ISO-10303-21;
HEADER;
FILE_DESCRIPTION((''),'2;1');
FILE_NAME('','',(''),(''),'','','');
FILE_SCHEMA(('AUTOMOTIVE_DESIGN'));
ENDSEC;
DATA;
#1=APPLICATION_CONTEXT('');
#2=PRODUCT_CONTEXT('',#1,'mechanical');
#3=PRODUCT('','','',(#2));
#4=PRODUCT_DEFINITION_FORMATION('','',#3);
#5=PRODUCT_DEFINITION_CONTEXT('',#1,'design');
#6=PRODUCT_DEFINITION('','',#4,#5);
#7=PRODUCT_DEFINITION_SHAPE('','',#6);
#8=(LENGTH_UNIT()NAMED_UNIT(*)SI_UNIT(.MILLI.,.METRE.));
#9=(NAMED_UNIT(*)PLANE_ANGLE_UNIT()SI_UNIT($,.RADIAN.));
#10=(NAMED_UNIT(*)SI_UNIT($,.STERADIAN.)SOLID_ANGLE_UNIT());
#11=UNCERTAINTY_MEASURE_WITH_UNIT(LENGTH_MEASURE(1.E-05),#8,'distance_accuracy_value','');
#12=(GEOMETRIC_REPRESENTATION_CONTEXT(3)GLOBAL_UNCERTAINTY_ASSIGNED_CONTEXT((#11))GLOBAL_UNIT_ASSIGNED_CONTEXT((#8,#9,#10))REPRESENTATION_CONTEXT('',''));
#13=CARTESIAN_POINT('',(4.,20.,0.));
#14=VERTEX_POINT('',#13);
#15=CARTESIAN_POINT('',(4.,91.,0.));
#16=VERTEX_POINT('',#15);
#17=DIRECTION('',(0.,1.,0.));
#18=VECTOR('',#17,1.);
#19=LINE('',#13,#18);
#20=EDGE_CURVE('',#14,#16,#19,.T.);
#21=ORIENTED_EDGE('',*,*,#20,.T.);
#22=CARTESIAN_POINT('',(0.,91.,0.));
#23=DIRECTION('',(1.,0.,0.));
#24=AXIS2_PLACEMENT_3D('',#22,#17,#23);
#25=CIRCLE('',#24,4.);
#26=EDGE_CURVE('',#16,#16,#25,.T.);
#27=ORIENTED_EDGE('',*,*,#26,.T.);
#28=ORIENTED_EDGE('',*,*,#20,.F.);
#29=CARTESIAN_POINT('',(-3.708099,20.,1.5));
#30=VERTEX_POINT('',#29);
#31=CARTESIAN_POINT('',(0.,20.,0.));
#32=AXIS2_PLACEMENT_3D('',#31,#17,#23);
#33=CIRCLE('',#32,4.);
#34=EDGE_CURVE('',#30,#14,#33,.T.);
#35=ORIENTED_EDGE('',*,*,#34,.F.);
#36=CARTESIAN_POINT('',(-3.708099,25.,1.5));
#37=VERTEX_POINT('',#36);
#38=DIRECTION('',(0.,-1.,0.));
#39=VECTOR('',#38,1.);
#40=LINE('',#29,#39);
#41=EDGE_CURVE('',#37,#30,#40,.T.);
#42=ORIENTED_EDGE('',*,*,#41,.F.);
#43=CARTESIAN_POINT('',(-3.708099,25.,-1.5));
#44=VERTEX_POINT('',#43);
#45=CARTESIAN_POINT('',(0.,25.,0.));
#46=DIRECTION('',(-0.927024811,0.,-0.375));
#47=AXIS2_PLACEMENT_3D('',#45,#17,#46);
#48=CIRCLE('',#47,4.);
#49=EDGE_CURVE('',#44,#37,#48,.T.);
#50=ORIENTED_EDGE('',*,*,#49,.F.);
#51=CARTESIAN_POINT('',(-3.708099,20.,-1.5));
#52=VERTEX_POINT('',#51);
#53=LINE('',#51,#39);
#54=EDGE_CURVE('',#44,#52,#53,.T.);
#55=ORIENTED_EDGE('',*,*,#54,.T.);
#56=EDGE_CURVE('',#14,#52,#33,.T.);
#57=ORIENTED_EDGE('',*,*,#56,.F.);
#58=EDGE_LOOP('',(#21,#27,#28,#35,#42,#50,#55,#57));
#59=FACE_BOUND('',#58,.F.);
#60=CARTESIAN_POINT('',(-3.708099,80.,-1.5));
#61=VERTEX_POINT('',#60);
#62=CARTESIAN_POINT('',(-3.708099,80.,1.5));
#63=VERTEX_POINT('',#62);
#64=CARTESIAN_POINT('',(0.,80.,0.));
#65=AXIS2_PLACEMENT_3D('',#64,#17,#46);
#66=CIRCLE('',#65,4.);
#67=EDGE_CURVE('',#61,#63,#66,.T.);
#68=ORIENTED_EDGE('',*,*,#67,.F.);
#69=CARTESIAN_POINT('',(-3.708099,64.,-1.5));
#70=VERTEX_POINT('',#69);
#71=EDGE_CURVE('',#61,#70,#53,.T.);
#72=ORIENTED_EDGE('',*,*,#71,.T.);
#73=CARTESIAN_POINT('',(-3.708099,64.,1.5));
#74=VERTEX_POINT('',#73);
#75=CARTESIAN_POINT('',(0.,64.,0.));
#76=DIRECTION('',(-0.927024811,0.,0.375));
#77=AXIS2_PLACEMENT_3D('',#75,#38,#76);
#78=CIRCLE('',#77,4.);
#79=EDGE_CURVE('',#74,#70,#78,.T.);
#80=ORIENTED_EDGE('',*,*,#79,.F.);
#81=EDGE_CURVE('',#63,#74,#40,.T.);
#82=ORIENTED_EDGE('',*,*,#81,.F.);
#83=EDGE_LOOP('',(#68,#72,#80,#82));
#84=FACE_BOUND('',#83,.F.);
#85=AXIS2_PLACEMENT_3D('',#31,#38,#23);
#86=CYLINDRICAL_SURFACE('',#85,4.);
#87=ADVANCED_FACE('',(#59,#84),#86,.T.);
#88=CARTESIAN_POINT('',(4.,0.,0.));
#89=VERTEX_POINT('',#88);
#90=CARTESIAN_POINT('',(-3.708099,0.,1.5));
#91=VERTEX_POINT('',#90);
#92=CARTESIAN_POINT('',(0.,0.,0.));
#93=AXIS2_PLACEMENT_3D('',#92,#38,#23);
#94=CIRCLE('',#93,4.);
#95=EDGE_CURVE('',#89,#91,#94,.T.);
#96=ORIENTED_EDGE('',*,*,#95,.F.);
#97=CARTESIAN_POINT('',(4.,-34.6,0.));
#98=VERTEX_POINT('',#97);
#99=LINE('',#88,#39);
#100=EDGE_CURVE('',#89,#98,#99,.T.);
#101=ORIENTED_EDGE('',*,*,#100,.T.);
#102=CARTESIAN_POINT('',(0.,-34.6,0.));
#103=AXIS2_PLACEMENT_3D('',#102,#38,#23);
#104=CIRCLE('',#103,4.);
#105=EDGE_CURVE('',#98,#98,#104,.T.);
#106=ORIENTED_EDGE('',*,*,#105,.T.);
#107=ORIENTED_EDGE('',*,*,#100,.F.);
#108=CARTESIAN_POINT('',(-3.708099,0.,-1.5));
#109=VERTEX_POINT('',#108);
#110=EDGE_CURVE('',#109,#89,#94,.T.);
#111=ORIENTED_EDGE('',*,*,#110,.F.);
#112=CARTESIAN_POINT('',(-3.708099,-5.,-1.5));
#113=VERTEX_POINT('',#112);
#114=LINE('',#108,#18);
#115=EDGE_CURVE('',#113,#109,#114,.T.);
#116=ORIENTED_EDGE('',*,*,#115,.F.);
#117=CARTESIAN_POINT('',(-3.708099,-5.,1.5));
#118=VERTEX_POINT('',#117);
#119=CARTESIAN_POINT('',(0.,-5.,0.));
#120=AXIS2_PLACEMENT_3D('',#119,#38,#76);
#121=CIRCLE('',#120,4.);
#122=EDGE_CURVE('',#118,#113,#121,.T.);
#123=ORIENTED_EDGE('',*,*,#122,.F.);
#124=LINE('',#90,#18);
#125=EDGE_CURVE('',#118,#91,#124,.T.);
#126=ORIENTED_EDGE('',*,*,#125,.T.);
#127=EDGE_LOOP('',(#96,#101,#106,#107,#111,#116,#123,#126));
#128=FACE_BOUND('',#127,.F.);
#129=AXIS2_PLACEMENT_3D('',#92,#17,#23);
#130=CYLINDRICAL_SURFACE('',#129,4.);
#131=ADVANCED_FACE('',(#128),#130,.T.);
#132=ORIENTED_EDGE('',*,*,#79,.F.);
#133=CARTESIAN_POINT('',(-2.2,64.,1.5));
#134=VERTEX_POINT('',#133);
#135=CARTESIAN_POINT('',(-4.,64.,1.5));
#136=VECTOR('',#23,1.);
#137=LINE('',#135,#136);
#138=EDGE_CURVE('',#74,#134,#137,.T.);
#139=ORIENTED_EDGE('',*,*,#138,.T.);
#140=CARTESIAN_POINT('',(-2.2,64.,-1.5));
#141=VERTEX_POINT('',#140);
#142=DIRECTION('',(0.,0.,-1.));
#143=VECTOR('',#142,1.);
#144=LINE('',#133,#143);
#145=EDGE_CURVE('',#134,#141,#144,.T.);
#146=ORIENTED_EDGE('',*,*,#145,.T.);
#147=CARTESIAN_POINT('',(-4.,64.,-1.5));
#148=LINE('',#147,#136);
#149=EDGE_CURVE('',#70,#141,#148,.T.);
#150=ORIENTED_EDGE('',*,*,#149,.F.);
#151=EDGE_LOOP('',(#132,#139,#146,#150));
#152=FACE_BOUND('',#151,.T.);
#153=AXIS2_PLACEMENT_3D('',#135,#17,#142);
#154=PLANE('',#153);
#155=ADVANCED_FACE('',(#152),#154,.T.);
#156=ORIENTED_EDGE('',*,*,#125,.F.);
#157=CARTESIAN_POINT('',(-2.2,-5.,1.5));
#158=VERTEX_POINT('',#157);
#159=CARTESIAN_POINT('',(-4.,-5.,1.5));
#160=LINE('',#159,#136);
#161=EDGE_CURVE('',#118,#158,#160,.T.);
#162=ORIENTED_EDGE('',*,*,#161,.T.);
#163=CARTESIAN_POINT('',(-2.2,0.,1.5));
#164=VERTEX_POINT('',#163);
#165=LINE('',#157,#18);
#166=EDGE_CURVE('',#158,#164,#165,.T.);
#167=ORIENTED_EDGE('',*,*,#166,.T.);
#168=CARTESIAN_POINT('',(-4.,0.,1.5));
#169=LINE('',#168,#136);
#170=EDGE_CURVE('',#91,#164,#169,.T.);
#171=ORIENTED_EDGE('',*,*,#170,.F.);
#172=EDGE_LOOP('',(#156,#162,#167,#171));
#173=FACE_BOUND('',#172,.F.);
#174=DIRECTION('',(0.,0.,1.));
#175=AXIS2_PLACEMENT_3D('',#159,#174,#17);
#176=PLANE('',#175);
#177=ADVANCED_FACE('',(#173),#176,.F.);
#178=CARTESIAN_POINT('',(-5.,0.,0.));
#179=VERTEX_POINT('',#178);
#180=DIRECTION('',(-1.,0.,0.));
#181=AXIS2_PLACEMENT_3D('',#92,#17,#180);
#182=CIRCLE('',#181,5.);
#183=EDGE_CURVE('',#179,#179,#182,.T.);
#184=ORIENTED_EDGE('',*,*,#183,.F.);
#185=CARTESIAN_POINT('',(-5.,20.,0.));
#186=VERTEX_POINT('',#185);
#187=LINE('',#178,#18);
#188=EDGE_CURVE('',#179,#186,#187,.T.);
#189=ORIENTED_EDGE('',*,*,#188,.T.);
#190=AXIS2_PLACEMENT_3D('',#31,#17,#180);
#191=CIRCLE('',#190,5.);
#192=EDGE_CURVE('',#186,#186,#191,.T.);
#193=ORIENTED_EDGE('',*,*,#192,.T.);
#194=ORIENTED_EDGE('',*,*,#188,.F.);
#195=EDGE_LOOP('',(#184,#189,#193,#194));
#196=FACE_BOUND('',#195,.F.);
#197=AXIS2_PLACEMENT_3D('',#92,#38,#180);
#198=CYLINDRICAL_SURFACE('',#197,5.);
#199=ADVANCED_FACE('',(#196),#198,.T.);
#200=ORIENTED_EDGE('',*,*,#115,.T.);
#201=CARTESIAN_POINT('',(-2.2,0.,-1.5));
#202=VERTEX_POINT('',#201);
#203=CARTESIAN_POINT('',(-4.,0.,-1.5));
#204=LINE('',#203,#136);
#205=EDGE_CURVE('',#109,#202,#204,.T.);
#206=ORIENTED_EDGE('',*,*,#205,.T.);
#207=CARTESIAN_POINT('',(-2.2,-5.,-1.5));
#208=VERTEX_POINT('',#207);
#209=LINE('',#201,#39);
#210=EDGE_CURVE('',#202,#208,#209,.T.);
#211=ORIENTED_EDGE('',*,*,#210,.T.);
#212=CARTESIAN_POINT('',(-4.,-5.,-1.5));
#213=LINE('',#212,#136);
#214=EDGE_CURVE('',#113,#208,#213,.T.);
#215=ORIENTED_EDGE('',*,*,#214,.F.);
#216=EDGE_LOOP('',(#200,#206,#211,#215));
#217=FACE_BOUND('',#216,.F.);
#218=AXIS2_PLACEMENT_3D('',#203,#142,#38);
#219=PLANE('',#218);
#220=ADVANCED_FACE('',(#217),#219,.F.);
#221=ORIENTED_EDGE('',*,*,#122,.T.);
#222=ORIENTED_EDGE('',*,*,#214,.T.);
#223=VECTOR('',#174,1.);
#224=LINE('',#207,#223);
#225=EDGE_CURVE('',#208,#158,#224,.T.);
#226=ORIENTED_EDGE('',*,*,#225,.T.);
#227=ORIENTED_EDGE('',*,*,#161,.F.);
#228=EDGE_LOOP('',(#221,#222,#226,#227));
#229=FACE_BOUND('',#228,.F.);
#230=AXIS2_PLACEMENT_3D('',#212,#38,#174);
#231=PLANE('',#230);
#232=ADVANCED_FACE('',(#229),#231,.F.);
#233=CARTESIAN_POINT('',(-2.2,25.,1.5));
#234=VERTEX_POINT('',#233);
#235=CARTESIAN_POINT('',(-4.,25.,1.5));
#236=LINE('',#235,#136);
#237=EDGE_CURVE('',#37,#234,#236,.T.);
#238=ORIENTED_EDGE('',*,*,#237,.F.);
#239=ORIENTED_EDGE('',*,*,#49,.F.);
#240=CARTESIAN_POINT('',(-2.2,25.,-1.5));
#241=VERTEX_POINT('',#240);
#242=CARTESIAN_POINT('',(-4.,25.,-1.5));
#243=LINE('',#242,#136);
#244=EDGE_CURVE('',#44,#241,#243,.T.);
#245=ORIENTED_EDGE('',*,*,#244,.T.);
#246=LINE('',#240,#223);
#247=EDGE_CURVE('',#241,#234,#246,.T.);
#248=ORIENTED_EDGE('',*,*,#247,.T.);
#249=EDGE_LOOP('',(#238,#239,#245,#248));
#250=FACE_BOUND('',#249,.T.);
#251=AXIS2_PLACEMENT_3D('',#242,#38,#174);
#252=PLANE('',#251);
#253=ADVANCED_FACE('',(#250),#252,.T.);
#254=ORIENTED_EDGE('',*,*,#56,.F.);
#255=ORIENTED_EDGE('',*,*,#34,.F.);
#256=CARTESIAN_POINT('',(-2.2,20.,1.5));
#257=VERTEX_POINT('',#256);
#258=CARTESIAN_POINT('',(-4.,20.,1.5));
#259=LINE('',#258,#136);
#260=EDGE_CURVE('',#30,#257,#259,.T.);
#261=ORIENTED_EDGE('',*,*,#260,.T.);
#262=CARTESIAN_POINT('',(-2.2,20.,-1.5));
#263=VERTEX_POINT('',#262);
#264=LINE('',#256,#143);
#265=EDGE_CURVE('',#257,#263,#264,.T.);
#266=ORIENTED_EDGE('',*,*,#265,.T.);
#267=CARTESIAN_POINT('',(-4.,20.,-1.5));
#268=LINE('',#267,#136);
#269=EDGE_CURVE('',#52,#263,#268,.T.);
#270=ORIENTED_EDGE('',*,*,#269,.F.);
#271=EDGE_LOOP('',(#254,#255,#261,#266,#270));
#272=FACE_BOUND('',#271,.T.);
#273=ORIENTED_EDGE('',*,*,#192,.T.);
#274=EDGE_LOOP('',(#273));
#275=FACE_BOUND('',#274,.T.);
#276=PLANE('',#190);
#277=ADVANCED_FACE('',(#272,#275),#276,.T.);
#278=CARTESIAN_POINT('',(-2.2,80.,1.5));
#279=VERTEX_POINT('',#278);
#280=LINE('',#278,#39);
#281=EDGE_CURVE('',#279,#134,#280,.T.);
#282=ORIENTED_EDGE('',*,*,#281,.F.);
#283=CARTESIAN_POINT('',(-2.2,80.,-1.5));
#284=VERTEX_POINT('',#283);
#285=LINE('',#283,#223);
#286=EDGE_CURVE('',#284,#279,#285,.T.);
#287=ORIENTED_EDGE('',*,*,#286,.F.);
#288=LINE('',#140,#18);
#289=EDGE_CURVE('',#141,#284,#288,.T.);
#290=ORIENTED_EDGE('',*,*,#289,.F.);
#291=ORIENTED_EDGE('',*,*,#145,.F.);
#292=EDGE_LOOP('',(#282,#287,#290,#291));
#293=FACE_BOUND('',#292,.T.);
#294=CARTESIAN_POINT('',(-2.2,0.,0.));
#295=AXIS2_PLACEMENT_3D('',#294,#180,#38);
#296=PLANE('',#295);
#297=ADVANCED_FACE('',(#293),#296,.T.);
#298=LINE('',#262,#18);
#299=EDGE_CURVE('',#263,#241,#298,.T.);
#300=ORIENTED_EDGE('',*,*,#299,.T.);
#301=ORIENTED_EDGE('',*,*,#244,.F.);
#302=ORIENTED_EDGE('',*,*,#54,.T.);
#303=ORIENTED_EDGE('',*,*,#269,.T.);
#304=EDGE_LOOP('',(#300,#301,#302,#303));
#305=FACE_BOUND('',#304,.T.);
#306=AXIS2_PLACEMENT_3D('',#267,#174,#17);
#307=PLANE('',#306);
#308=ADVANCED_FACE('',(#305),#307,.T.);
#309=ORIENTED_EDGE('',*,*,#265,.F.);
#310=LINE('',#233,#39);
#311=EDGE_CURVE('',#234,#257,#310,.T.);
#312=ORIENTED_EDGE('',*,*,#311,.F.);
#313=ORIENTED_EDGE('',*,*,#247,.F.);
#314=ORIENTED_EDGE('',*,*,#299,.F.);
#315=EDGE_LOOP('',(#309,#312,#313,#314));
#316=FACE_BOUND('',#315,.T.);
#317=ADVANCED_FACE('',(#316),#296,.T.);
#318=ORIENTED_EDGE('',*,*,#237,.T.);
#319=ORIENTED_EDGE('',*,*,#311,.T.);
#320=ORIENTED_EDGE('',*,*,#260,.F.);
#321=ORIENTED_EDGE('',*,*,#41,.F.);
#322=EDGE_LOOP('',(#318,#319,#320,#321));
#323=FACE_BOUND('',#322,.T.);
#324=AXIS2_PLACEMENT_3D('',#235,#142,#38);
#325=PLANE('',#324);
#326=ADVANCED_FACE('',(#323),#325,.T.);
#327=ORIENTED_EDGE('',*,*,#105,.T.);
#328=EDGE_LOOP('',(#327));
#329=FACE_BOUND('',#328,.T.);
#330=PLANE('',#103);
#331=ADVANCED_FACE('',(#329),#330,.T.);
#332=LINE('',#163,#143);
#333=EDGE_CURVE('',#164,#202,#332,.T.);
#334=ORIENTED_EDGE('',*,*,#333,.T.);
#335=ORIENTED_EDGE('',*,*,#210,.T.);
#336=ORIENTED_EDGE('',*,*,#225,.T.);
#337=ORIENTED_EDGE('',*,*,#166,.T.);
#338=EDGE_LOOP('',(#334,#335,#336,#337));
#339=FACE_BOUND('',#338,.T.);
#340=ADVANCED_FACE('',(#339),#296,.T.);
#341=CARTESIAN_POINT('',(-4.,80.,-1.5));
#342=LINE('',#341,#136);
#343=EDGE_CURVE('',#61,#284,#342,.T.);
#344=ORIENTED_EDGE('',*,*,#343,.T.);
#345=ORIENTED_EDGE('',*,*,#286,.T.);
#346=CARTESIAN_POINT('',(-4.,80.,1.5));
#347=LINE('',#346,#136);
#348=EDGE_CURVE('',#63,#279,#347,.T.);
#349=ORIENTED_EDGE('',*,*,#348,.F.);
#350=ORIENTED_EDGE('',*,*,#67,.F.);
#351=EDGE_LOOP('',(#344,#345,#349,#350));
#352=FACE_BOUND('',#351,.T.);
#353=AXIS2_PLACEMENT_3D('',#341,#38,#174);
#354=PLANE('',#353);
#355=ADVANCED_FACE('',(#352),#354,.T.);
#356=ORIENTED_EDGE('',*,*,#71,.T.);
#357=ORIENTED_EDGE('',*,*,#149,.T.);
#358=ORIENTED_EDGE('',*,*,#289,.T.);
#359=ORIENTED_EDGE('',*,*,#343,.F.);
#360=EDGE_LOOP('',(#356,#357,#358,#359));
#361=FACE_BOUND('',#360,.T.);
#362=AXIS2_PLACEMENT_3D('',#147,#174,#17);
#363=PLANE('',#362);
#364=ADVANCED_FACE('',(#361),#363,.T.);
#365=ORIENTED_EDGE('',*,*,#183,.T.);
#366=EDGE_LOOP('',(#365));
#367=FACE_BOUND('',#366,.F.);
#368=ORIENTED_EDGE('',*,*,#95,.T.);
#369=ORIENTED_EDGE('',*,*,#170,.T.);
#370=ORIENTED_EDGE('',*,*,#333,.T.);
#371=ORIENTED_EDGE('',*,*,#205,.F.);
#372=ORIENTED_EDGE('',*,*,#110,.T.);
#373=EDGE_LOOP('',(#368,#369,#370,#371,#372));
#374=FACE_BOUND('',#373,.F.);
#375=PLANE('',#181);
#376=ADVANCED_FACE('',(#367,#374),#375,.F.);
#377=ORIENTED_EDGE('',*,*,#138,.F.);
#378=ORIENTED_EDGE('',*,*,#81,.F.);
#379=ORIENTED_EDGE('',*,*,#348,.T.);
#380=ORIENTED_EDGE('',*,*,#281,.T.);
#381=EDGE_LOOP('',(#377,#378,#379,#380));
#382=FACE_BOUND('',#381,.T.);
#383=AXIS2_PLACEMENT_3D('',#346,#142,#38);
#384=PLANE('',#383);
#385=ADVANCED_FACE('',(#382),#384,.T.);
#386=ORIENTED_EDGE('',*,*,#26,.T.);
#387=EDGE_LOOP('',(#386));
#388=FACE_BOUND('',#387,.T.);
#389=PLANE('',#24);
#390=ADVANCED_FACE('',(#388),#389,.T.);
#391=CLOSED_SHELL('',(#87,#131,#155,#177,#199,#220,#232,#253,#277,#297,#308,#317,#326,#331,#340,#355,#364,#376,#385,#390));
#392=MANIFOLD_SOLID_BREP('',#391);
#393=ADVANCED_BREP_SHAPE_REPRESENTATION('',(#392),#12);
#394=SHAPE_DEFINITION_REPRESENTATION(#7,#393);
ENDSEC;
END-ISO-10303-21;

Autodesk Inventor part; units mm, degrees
ref_plane "YZ Plane" through (0, 0, 0) normal (1, 0, 0) x (0, 1, 0)
sketch "スケッチ1" plane through (0, 0, 0) normal (0, 1, 0) x (-1, 0, 0)
  circle A0 centre (0, 0) radius 5
  dimension "d0" = 10
extrude "押し出し1" add sketch "スケッチ1" along normal blind 20
sketch "スケッチ2" plane through (0, 20, 0) normal (0, 1, 0) x (1, 0, 0)
  circle A0 centre (0, 0) radius 4
  dimension "d3" = 8
extrude "押し出し2" add sketch "スケッチ2" along normal blind 71
sketch "スケッチ3" plane through (0, 0, 0) normal (0, -1, 0) x (1, 0, 0)
  circle A0 centre (0, 0) radius 4
  dimension "d6" = 8
extrude "押し出し3" add sketch "スケッチ3" along normal blind 34.6
sketch "スケッチ4" plane through (0, -34.6, 0) normal (0, -1, 0) x (1, 0, 0)
  circle A0 centre (0, 0) radius 4 projected
  point P0 (0, 4)
ref_plane "作業平面1" through (0, -34.6, 4) normal (0, 0, 1) x (1, 0, 0)
sketch "スケッチ7" plane through (0, -34.6, 4) normal (0, 0, 1) x (1, 0, 0)
  line L0 (-1.5, 5) -> (1.5, 5)
  line L1 (1.5, 5) -> (1.5, 21)
  line L2 (1.5, 21) -> (-1.5, 21)
  line L3 (-1.5, 21) -> (-1.5, 5)
  line L4 (-1.5, 5) -> (1.5, 21) construction
  line L5 (1.5, 5) -> (-1.5, 21) construction
  line L6 (-4, 0) -> (4, 0) projected
  line L7 (-1.5, 104.6) -> (1.5, 104.6)
  line L8 (1.5, 104.6) -> (1.5, 120.6)
  line L9 (1.5, 120.6) -> (-1.5, 120.6)
  line L10 (-1.5, 120.6) -> (-1.5, 104.6)
  line L11 (-1.5, 104.6) -> (1.5, 120.6) construction
  line L12 (1.5, 104.6) -> (-1.5, 120.6) construction
  line L13 (4, 125.6) -> (-4, 125.6) projected
  point P0 (0, 34.6)
  point P1 (0, 13)
  point P2 (0, 112.6)
  dimension "d17" = 3
  dimension "d18" = 16
  dimension "d19" = 5
  dimension "d20" = 3
  dimension "d21" = 16
  dimension "d22" = 5
extrude "押し出し5" [suppressed]
sketch "スケッチ8" plane through (0, 20, 0) normal (0, 1, 0) x (1, 0, 0)
  circle A0 centre (0, 0) radius 5
  dimension "d25" = 10
extrude "押し出し6" [suppressed]
sketch "スケッチ9" plane through (0, 0, 0) normal (0, -1, 0) x (1, 0, 0)
  circle A0 centre (0, 0) radius 5 projected
  circle A1 centre (0, 0) radius 5
  dimension "d28" = 10
extrude "押し出し7" [suppressed]
sketch "スケッチ10" plane through (0, 0, 0) normal (0, -1, 0) x (1, 0, 0)
  circle A0 centre (0, 0) radius 4 projected
  point P0 (-4, 0)
ref_plane "作業平面2" through (-4, 0, 0) normal (-1, 0, 0) x (0, -1, 0)
sketch "スケッチ11" plane through (-4, 0, 0) normal (-1, 0, 0) x (0, -1, 0)
  line L0 (0, -1.5) -> (5, -1.5)
  line L1 (5, -1.5) -> (5, 1.5)
  line L2 (5, 1.5) -> (0, 1.5)
  line L3 (0, 1.5) -> (0, -1.5)
  line L4 (0, -1.5) -> (5, 1.5) construction
  line L5 (5, -1.5) -> (0, 1.5) construction
  line L6 (0, 5) -> (0, -5) projected
  line L7 (-25, 1.5) -> (-20, 1.5)
  line L8 (-20, 1.5) -> (-20, -1.5)
  line L9 (-20, -1.5) -> (-25, -1.5)
  line L10 (-25, -1.5) -> (-25, 1.5)
  line L11 (-25, 1.5) -> (-20, -1.5) construction
  line L12 (-20, 1.5) -> (-25, -1.5) construction
  line L13 (-20, 5) -> (-20, -5) projected
  line L14 (-80, 1.5) -> (-64, 1.5)
  line L15 (-64, 1.5) -> (-64, -1.5)
  line L16 (-64, -1.5) -> (-80, -1.5)
  line L17 (-80, -1.5) -> (-80, 1.5)
  line L18 (-80, 1.5) -> (-64, -1.5) construction
  line L19 (-64, 1.5) -> (-80, -1.5) construction
  line L20 (-91, 4) -> (-91, -4) projected
  point P0 (0, 0)
  point P1 (2.5, 0)
  point P2 (-22.5, 0)
  point P3 (-72, 0)
  dimension "d31" = 5
  dimension "d32" = 3
  dimension "d33" = 0
  dimension "d34" = 5
  dimension "d35" = 3
  dimension "d36" = 0
  dimension "d39" = 16
  dimension "d40" = 3
  dimension "d41" = 11
extrude "押し出し8" cut sketch "スケッチ11" against normal blind 1.8
properties part number "shoulder2_shaft" material "鋼、炭素鋼"
